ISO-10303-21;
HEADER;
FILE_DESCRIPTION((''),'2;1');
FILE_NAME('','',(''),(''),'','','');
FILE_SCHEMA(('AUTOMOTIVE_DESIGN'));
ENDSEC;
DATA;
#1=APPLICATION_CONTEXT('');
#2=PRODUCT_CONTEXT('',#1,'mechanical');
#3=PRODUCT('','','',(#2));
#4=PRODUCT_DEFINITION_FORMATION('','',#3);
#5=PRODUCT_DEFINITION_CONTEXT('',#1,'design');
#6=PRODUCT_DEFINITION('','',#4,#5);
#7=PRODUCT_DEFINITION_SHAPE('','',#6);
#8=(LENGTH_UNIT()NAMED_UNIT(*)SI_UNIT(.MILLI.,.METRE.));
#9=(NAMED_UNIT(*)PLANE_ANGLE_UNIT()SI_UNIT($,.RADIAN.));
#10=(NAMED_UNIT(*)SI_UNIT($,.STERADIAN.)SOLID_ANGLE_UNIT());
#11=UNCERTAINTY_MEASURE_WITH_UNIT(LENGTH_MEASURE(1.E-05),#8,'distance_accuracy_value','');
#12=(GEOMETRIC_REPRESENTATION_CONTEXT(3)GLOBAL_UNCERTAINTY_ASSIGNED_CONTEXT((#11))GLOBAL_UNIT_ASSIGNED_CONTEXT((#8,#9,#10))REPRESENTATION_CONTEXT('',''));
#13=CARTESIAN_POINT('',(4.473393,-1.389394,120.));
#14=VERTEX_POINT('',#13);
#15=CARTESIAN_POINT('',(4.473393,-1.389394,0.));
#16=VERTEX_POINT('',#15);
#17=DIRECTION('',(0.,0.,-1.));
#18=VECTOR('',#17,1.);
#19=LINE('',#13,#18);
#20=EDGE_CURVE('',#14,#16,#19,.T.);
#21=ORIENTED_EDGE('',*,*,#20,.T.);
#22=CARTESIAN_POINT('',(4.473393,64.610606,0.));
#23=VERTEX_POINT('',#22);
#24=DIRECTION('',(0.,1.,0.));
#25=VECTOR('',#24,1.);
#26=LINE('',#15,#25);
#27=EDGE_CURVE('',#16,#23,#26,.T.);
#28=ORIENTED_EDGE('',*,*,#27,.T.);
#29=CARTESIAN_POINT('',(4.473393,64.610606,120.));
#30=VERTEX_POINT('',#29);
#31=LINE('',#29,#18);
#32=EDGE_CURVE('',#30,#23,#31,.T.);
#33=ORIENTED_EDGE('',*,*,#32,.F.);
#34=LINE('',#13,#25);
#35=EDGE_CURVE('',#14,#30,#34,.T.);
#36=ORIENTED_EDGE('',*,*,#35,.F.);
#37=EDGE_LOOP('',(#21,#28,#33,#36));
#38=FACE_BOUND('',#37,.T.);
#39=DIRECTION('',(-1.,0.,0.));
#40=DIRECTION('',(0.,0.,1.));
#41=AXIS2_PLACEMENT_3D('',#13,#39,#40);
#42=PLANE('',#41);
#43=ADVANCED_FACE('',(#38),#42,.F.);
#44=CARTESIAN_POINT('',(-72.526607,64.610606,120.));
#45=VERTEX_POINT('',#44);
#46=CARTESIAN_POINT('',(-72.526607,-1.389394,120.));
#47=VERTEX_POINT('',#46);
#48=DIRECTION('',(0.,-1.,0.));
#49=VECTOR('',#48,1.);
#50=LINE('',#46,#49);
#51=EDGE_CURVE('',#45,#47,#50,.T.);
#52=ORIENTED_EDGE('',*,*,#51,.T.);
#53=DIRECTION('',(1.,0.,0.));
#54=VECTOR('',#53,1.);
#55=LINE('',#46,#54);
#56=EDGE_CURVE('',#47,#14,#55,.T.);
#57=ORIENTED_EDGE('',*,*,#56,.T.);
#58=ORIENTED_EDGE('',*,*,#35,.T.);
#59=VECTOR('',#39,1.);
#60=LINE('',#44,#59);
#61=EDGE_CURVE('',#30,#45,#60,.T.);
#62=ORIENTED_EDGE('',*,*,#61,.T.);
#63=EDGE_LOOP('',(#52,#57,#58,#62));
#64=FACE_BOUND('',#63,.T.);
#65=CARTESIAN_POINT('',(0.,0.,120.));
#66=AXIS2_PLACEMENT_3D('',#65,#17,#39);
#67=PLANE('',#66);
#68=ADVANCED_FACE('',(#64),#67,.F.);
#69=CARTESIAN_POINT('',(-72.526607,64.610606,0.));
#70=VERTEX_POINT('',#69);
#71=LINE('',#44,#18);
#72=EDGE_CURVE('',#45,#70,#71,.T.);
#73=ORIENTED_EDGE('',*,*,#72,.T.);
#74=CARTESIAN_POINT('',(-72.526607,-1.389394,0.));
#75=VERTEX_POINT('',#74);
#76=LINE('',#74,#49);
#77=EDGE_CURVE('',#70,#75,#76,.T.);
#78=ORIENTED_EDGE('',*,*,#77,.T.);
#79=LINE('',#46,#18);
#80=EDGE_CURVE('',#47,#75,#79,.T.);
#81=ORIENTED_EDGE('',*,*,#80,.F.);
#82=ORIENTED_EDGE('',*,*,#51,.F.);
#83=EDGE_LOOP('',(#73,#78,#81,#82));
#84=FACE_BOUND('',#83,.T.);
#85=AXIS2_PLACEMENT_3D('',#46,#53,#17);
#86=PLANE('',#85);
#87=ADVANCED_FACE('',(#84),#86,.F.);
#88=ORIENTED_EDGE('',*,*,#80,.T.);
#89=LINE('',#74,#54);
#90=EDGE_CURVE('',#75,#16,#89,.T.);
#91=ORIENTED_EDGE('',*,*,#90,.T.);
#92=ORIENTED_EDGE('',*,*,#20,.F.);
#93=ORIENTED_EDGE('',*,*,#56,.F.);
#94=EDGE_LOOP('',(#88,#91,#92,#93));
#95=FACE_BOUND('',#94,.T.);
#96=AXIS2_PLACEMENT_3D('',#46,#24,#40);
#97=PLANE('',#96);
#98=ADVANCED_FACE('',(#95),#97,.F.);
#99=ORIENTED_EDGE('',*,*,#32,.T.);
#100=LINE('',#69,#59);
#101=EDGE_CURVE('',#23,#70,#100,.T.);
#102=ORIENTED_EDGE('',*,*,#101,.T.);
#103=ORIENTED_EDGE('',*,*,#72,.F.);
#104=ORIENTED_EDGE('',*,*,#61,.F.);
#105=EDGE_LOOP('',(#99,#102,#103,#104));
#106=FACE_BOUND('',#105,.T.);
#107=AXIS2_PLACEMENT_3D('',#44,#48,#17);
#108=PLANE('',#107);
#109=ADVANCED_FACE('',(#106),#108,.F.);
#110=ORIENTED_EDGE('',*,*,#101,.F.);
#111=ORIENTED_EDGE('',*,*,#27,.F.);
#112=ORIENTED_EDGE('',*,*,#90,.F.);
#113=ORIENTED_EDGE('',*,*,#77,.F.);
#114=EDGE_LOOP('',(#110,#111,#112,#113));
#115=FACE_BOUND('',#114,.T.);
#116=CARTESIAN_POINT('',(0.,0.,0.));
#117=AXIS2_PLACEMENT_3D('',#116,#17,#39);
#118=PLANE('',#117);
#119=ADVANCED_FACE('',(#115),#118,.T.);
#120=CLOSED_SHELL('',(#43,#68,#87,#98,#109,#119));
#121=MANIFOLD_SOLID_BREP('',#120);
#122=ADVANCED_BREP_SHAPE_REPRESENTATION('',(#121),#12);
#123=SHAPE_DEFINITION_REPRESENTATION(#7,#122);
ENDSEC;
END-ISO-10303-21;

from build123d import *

# Parameters (mm, degrees)
SKETCH_1_W      = 77
SKETCH_1_H      = 66
EXTRUDE_1_DEPTH = 120


with BuildPart() as part:
    # ｽｹｯﾁ1 → ﾎﾞｽ - 押し出し1 (new body)
    with BuildSketch(Plane.XY):
        with Locations((-34.026607289, 31.610606061)):
            Rectangle(SKETCH_1_W, SKETCH_1_H)
    extrude(amount=EXTRUDE_1_DEPTH)


solid = part.part
